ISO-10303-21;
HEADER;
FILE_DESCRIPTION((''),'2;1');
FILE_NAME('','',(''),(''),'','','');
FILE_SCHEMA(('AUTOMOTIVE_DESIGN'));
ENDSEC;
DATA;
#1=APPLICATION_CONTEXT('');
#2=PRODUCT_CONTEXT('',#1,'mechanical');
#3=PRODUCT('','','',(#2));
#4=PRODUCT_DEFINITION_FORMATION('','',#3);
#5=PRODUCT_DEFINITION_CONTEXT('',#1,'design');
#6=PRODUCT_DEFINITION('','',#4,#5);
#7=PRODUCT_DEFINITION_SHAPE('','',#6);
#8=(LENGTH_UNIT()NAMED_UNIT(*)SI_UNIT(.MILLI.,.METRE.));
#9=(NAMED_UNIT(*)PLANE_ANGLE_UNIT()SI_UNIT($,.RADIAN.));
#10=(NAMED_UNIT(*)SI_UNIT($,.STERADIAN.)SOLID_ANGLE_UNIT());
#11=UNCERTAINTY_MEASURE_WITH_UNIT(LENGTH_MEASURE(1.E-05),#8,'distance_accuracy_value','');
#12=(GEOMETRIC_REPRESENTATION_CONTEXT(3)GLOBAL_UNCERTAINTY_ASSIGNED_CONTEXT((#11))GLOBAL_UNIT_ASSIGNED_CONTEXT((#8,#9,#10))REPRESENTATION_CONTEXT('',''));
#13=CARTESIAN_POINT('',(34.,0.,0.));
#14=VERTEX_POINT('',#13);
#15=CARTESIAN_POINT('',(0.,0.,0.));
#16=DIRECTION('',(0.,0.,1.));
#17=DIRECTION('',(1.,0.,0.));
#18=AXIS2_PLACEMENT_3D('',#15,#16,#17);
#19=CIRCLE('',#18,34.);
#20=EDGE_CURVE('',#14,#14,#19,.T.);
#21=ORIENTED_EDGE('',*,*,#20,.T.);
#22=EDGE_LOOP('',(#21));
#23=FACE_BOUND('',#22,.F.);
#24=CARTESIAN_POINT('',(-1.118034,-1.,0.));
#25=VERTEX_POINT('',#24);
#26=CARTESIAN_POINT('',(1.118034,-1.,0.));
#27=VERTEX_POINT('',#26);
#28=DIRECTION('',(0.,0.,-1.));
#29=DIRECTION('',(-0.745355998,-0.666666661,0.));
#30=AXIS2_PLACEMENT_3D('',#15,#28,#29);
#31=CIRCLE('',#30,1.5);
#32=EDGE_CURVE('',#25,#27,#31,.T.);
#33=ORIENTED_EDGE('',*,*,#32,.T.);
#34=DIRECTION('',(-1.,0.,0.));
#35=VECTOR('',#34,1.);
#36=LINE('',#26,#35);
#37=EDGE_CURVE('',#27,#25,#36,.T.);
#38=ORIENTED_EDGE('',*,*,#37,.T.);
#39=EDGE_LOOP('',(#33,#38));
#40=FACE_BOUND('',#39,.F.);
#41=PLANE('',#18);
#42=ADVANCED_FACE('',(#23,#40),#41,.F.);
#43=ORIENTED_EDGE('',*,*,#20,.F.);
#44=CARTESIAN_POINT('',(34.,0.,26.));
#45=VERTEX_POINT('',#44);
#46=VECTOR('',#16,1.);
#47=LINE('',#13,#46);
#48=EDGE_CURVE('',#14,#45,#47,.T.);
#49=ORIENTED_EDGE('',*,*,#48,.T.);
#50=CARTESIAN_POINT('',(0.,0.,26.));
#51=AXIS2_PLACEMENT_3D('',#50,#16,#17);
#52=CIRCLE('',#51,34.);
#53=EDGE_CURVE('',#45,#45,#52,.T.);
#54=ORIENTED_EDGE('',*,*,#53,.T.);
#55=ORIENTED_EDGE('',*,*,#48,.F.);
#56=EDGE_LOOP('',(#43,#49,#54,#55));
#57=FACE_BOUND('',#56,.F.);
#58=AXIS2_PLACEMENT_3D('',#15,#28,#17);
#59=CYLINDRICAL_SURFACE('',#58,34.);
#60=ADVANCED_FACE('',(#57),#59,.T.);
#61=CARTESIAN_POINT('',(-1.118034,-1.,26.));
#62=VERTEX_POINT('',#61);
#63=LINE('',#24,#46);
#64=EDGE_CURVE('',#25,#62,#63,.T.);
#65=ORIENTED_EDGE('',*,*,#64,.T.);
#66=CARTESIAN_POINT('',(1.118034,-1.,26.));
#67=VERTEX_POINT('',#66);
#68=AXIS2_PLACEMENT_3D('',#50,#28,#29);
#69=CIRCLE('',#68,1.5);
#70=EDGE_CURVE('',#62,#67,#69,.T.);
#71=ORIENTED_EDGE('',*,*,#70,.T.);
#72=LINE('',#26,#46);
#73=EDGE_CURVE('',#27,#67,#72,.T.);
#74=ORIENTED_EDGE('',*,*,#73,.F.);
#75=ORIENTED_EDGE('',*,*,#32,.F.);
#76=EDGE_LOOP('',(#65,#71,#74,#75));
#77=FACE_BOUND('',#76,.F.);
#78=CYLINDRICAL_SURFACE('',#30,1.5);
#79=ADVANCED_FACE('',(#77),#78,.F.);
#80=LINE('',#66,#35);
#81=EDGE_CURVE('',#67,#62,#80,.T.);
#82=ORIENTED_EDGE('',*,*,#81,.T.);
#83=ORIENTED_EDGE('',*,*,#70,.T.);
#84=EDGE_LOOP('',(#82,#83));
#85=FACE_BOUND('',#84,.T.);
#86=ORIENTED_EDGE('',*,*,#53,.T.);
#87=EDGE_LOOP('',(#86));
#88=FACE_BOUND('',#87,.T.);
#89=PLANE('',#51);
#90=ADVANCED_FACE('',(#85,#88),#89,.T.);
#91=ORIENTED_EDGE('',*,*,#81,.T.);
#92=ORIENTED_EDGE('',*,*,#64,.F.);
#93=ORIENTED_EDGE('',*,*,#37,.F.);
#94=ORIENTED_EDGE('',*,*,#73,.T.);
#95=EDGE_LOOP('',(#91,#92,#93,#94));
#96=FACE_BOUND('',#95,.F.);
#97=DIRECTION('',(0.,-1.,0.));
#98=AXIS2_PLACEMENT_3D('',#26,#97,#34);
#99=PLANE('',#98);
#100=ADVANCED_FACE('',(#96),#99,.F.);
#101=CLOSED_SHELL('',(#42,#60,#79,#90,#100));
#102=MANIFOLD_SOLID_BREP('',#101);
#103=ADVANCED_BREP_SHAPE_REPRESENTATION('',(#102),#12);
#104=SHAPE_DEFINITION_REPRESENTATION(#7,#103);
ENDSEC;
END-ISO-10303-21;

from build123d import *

# Parameters (mm, degrees)
F1_R     = 34
F2_DEPTH = 26


with BuildPart() as f2:
    # F1 (on face) → F2 (new body)
    with BuildSketch(Plane.XY):
        Circle(F1_R)
        with BuildLine():
            ThreePointArc((-1.118034, -1), (0, 1.5), (1.118034, -1))
            Line((1.118034, -1), (-1.118034, -1))
        make_face(mode=Mode.SUBTRACT)
    extrude(amount=F2_DEPTH)


solid = f2.part
